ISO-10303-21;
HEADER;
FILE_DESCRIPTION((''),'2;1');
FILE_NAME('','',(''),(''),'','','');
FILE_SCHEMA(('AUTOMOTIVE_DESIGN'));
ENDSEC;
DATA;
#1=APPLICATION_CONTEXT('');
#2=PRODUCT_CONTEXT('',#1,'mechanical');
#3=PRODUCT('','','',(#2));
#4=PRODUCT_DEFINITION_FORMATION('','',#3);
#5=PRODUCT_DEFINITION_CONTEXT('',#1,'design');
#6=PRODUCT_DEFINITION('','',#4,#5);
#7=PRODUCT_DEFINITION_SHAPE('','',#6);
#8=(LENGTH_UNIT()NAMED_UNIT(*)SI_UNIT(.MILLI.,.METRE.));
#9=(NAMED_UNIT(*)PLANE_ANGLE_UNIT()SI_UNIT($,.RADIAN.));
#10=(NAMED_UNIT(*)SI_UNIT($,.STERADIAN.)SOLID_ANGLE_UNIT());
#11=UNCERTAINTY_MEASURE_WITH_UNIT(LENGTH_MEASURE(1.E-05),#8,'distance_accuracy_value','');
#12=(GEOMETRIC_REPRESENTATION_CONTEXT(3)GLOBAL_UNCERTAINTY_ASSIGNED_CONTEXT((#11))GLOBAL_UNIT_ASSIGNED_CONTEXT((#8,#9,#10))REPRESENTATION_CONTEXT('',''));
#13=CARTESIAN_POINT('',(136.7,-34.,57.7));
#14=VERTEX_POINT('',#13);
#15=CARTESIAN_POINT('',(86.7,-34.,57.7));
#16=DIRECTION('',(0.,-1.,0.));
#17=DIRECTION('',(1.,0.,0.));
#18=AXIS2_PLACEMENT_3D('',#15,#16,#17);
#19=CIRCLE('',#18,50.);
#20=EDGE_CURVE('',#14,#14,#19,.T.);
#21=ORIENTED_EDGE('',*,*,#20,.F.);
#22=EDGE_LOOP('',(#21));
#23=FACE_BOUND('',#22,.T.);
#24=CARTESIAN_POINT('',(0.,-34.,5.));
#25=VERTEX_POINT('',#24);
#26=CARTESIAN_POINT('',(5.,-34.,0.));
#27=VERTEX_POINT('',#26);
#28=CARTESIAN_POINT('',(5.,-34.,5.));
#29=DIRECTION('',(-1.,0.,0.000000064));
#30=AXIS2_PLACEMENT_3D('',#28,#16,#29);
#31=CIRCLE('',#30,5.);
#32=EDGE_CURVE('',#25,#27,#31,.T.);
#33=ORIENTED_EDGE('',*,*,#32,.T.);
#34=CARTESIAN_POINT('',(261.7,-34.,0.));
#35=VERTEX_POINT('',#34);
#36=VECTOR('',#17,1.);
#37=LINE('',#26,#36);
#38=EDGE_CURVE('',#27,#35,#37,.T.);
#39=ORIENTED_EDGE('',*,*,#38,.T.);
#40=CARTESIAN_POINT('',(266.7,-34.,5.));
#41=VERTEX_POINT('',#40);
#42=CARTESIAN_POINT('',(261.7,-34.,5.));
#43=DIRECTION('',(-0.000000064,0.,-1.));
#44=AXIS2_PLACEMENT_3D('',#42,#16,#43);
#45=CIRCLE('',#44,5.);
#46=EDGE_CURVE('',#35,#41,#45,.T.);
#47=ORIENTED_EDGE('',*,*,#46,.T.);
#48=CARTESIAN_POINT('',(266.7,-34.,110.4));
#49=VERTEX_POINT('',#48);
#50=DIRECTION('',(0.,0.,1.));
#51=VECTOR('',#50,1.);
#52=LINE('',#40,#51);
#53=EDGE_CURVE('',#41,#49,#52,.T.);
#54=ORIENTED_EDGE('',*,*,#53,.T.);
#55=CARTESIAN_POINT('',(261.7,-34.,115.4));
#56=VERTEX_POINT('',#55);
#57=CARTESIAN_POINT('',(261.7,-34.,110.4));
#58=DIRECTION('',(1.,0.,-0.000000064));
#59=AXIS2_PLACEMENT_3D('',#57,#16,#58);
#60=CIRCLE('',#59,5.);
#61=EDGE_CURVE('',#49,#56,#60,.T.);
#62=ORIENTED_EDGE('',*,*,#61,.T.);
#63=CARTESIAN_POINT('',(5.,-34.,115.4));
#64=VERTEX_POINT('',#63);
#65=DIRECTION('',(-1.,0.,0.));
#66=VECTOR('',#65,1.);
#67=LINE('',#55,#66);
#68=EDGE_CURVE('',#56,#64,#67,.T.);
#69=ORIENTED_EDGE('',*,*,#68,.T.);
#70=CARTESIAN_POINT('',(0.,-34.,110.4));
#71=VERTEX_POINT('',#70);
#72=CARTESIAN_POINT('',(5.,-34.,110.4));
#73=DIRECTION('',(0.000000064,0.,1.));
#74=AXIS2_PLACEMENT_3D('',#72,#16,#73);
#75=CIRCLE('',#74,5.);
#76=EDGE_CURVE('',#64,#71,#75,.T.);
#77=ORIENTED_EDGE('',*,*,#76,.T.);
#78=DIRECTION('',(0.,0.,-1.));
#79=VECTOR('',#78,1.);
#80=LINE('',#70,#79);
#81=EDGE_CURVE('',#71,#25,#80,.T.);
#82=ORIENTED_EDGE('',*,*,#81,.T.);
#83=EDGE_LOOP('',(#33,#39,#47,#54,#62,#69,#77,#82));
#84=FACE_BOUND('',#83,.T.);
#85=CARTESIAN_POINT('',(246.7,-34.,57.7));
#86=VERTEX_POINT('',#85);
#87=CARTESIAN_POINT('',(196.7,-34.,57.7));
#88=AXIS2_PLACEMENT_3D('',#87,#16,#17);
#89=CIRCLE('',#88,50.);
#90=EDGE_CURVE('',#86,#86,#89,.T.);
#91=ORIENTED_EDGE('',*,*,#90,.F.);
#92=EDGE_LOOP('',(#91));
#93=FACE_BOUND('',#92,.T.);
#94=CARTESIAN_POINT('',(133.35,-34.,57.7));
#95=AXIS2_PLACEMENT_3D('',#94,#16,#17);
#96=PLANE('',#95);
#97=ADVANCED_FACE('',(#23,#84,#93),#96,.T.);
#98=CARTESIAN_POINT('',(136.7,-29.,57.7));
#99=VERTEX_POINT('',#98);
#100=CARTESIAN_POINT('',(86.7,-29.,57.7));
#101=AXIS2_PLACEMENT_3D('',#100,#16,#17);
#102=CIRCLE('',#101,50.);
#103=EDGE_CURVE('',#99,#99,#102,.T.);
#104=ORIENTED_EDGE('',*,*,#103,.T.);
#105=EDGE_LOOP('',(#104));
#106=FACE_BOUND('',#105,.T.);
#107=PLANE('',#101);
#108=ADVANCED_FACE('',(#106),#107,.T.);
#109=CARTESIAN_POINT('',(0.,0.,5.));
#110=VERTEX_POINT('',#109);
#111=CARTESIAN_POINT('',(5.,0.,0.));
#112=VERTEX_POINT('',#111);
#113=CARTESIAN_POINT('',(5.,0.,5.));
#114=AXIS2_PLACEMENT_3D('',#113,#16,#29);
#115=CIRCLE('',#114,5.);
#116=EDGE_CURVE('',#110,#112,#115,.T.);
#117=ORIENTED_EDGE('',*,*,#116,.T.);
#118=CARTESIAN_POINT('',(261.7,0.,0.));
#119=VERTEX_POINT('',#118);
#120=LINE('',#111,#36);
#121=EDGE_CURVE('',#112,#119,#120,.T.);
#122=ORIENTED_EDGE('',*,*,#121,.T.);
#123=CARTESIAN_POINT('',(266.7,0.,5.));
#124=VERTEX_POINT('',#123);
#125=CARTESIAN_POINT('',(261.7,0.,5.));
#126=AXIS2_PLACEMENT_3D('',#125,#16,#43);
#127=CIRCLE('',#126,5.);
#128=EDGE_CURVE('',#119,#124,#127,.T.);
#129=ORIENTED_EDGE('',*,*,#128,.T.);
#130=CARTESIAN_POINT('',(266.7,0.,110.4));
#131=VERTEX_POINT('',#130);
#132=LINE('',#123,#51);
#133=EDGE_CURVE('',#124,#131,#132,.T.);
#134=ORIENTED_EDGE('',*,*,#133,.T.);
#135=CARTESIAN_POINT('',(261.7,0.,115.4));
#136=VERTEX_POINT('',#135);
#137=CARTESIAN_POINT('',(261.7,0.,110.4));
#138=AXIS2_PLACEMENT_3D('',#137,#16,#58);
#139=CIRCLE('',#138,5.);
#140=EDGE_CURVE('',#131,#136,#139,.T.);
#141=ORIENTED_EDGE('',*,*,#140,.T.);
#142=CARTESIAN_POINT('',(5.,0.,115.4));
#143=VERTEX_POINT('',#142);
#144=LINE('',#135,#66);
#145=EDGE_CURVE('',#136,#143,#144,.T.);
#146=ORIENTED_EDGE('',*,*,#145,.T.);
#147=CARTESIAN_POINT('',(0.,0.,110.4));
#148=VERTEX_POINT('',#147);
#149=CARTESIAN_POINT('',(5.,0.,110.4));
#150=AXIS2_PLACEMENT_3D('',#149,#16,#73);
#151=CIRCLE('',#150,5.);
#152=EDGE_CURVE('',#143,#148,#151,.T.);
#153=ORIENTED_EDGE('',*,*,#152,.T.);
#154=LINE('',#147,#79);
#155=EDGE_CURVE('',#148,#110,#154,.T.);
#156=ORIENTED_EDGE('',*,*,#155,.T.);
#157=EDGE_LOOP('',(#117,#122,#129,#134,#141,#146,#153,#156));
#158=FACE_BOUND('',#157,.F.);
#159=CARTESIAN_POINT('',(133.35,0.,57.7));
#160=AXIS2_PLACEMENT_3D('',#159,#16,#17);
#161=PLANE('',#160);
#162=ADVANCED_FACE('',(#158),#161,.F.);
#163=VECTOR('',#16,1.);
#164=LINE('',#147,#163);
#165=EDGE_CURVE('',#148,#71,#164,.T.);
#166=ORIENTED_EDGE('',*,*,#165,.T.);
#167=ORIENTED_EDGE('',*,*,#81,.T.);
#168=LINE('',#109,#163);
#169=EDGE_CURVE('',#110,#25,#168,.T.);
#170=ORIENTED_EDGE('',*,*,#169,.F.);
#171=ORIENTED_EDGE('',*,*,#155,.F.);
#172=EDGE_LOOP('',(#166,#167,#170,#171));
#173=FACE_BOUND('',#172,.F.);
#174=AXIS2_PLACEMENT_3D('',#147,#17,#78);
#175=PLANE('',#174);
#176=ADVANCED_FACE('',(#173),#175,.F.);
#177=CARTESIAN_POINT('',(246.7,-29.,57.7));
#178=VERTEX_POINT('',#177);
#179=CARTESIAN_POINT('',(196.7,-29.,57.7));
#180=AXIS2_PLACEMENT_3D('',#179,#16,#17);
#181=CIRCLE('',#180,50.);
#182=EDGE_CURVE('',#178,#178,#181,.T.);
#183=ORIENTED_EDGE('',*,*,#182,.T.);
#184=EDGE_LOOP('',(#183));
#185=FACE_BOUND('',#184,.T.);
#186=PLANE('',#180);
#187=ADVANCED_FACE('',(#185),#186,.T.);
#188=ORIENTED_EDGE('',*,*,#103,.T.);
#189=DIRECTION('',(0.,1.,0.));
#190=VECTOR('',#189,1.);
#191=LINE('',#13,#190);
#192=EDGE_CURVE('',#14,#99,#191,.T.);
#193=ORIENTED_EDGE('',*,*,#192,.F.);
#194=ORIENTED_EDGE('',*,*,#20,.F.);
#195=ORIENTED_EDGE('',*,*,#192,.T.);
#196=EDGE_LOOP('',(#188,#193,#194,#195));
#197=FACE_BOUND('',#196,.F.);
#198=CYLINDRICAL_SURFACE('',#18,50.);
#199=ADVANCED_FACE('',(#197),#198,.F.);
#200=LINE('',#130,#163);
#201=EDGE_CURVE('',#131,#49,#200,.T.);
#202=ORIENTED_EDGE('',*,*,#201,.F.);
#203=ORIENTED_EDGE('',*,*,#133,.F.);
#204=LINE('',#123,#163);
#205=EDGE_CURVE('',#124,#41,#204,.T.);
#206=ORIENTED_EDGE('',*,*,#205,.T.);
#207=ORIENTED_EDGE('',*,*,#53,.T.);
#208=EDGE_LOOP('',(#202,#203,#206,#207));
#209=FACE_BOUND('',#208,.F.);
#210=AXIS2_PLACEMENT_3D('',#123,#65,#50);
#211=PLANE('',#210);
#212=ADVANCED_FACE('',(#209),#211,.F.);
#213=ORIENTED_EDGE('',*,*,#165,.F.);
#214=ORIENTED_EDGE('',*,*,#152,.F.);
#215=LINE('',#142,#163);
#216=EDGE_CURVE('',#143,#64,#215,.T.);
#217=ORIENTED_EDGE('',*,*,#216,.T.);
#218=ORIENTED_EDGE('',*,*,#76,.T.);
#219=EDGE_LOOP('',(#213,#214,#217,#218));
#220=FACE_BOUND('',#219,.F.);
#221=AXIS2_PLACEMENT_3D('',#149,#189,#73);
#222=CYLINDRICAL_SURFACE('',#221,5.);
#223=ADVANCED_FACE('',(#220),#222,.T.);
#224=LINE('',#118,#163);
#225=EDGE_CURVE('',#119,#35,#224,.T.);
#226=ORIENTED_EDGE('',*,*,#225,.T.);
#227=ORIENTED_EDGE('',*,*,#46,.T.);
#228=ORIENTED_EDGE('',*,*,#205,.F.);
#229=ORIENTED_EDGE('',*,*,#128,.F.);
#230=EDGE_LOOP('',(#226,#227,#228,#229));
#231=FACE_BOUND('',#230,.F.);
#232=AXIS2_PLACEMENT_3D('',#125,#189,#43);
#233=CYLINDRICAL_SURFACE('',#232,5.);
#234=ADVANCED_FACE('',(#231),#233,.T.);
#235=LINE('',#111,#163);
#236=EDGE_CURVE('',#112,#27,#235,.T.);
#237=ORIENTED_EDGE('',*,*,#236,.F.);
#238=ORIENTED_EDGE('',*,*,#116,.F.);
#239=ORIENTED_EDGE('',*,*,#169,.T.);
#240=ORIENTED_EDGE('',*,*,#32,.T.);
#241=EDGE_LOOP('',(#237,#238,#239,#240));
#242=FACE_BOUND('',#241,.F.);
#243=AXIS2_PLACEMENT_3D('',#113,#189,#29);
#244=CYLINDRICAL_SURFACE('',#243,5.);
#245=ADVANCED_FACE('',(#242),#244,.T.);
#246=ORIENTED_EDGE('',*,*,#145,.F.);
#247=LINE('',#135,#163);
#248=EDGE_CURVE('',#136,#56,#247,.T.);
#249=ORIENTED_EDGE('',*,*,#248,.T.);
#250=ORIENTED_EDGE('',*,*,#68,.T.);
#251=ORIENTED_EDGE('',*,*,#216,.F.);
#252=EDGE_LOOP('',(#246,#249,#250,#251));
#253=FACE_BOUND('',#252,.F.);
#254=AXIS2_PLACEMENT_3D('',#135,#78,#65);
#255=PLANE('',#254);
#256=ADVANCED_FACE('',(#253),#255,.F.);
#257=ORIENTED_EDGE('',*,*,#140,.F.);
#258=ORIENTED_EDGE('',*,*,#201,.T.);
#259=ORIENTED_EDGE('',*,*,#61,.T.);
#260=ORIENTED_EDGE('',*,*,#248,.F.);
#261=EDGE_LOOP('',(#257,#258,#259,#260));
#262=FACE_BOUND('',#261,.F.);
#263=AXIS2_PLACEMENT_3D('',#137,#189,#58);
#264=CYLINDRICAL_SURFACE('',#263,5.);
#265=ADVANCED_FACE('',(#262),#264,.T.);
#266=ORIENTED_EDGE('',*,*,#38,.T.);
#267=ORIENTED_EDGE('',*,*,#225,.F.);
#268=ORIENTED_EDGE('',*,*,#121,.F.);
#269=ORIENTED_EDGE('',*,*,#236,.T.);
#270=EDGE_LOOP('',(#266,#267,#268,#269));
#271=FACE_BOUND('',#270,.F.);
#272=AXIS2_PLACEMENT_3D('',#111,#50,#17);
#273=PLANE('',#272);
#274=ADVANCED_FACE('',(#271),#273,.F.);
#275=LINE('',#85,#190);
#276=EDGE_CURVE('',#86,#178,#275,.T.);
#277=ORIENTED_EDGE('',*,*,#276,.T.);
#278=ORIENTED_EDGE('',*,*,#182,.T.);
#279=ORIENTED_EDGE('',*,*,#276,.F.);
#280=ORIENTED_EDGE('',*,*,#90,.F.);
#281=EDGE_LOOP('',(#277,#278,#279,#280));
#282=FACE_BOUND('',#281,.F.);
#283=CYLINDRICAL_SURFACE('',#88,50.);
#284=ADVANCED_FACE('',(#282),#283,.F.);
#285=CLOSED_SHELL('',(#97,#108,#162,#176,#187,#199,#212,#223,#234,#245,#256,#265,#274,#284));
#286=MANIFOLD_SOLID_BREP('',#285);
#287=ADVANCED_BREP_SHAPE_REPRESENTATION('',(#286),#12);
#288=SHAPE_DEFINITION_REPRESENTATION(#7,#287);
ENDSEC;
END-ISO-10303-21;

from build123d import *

# Parameters (mm, degrees)
F1_DEPTH = 34
F2_R     = 50
F3_DEPTH = 5


with BuildPart() as f1:
    # F0 (on Front) → F1 (new body)
    with BuildSketch(Plane.XZ):
        with BuildLine():
            ThreePointArc((0, 5), (1.464466, 1.464466), (5, 0))
            Line((5, 0), (261.7, 0))
            ThreePointArc((261.7, 0), (265.235534, 1.464466), (266.7, 5))
            Line((266.7, 5), (266.7, 110.4))
            ThreePointArc((266.7, 110.4), (265.235534, 113.935534), (261.7, 115.4))
            Line((261.7, 115.4), (5, 115.4))
            ThreePointArc((5, 115.4), (1.464466, 113.935534), (0, 110.4))
            Line((0, 110.4), (0, 5))
        make_face()
    extrude(amount=F1_DEPTH)

    # F2 (on face) → F3 (cut)
    with BuildSketch(Plane.XZ.offset(34)):
        with Locations((86.7, 57.7)):
            Circle(F2_R)
        with Locations((196.7, 57.7)):
            Circle(F2_R)
    extrude(amount=-F3_DEPTH, mode=Mode.SUBTRACT)


solid = f1.part
